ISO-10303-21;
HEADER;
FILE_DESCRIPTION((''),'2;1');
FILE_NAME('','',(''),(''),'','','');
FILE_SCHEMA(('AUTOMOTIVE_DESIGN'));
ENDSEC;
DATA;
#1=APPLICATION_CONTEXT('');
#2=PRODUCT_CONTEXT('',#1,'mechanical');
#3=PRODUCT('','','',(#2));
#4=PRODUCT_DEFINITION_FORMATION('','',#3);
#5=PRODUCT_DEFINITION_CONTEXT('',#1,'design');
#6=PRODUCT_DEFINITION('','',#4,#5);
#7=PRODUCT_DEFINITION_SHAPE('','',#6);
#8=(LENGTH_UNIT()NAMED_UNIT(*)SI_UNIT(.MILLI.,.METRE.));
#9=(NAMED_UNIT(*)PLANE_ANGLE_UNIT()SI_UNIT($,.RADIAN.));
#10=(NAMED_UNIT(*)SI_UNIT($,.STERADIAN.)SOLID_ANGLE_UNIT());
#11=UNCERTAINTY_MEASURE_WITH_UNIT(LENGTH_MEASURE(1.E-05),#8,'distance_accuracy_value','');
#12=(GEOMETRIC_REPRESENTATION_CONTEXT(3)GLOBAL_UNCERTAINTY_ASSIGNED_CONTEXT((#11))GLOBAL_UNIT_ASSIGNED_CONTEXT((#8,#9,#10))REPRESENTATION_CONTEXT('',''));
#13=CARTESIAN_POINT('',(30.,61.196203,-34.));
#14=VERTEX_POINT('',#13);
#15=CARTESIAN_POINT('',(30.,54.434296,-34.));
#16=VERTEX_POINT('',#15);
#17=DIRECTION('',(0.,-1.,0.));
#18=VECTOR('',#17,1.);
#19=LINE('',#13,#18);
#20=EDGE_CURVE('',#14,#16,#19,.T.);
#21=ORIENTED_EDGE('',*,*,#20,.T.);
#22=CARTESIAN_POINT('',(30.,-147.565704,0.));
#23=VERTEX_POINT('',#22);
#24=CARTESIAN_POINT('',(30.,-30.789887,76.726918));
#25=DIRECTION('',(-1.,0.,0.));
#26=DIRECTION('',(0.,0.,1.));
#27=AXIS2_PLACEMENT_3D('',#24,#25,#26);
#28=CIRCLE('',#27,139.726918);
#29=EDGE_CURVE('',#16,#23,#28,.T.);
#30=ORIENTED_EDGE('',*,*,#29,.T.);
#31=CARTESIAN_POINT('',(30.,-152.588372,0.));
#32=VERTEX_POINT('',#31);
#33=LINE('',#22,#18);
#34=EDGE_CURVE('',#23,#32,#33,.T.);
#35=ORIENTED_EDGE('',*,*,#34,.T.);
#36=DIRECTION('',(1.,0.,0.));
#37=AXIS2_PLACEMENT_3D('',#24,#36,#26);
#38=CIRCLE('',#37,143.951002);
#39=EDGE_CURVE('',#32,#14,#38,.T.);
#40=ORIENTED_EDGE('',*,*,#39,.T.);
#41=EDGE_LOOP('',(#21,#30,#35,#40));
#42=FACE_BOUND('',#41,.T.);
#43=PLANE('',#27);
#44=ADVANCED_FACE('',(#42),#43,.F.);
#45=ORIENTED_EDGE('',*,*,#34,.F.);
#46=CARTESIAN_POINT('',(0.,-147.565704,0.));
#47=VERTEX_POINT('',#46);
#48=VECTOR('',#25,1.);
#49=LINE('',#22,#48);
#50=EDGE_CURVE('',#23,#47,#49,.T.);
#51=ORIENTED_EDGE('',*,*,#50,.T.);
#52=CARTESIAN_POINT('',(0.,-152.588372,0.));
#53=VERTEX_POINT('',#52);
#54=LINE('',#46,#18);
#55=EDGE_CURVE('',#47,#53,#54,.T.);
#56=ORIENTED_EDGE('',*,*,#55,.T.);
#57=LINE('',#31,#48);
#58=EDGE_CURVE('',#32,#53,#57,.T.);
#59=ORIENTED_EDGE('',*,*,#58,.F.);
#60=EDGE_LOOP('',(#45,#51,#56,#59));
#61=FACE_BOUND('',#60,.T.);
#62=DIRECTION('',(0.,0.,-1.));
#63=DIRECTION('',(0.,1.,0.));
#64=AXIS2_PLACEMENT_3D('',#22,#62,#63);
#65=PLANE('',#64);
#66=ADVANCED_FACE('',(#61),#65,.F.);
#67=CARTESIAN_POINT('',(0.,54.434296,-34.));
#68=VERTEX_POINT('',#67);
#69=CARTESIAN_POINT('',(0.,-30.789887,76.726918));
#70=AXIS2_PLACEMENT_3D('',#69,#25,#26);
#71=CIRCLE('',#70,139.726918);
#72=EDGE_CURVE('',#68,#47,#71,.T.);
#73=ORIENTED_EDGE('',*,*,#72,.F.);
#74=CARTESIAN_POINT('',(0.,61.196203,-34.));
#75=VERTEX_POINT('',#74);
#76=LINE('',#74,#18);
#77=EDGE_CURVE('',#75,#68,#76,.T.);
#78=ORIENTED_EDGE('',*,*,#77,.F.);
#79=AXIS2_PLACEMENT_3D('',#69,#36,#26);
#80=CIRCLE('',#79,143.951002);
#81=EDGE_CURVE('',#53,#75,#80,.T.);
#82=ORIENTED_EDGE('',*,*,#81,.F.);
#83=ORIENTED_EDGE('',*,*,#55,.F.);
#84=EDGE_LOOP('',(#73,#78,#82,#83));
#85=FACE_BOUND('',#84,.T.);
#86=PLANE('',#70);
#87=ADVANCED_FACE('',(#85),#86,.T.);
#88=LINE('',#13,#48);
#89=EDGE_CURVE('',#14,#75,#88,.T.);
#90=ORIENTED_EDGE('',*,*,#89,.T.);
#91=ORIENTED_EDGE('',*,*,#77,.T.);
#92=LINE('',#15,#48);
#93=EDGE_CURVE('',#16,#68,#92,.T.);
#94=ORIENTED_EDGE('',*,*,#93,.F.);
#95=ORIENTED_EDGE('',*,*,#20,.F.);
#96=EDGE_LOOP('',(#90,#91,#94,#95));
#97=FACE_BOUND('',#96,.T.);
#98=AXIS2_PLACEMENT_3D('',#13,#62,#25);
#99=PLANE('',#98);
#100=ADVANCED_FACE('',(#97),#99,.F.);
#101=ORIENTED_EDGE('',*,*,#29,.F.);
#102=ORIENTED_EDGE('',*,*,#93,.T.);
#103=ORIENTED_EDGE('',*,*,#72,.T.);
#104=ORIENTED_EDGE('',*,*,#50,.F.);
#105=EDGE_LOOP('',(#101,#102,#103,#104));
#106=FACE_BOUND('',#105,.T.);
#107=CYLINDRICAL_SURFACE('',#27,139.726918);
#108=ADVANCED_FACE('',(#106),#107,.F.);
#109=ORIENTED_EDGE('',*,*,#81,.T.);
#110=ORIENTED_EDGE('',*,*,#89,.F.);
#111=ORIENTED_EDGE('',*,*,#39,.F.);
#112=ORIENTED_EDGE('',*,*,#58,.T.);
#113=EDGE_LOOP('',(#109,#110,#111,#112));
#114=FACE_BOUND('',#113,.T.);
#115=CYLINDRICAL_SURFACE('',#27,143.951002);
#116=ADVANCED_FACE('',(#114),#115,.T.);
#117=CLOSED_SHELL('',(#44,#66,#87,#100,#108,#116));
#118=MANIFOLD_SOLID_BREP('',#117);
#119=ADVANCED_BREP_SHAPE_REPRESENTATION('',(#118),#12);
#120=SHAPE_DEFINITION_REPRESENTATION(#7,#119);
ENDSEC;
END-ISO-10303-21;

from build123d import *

# Parameters (mm, degrees)
EXTRUDE_1_DEPTH = 30


with BuildPart() as part:
    # 草图1 → 凸台-拉伸1 (new body)
    with BuildSketch(Plane(origin=(0, 0, 0), x_dir=(0, 0, -1), z_dir=(1, 0, 0))):
        with BuildLine():
            Line((0, -147.565704378), (0, -152.588372425))
            ThreePointArc((0, -152.588372425), (65.437410897, -53.399502568), (34, 61.196203479))
            Line((34, 61.196203479), (34, 54.434295622))
            ThreePointArc((34, 54.434295622), (61.061815881, -53.982049625), (0, -147.565704378))
        make_face()
    extrude(amount=EXTRUDE_1_DEPTH)


solid = part.part
